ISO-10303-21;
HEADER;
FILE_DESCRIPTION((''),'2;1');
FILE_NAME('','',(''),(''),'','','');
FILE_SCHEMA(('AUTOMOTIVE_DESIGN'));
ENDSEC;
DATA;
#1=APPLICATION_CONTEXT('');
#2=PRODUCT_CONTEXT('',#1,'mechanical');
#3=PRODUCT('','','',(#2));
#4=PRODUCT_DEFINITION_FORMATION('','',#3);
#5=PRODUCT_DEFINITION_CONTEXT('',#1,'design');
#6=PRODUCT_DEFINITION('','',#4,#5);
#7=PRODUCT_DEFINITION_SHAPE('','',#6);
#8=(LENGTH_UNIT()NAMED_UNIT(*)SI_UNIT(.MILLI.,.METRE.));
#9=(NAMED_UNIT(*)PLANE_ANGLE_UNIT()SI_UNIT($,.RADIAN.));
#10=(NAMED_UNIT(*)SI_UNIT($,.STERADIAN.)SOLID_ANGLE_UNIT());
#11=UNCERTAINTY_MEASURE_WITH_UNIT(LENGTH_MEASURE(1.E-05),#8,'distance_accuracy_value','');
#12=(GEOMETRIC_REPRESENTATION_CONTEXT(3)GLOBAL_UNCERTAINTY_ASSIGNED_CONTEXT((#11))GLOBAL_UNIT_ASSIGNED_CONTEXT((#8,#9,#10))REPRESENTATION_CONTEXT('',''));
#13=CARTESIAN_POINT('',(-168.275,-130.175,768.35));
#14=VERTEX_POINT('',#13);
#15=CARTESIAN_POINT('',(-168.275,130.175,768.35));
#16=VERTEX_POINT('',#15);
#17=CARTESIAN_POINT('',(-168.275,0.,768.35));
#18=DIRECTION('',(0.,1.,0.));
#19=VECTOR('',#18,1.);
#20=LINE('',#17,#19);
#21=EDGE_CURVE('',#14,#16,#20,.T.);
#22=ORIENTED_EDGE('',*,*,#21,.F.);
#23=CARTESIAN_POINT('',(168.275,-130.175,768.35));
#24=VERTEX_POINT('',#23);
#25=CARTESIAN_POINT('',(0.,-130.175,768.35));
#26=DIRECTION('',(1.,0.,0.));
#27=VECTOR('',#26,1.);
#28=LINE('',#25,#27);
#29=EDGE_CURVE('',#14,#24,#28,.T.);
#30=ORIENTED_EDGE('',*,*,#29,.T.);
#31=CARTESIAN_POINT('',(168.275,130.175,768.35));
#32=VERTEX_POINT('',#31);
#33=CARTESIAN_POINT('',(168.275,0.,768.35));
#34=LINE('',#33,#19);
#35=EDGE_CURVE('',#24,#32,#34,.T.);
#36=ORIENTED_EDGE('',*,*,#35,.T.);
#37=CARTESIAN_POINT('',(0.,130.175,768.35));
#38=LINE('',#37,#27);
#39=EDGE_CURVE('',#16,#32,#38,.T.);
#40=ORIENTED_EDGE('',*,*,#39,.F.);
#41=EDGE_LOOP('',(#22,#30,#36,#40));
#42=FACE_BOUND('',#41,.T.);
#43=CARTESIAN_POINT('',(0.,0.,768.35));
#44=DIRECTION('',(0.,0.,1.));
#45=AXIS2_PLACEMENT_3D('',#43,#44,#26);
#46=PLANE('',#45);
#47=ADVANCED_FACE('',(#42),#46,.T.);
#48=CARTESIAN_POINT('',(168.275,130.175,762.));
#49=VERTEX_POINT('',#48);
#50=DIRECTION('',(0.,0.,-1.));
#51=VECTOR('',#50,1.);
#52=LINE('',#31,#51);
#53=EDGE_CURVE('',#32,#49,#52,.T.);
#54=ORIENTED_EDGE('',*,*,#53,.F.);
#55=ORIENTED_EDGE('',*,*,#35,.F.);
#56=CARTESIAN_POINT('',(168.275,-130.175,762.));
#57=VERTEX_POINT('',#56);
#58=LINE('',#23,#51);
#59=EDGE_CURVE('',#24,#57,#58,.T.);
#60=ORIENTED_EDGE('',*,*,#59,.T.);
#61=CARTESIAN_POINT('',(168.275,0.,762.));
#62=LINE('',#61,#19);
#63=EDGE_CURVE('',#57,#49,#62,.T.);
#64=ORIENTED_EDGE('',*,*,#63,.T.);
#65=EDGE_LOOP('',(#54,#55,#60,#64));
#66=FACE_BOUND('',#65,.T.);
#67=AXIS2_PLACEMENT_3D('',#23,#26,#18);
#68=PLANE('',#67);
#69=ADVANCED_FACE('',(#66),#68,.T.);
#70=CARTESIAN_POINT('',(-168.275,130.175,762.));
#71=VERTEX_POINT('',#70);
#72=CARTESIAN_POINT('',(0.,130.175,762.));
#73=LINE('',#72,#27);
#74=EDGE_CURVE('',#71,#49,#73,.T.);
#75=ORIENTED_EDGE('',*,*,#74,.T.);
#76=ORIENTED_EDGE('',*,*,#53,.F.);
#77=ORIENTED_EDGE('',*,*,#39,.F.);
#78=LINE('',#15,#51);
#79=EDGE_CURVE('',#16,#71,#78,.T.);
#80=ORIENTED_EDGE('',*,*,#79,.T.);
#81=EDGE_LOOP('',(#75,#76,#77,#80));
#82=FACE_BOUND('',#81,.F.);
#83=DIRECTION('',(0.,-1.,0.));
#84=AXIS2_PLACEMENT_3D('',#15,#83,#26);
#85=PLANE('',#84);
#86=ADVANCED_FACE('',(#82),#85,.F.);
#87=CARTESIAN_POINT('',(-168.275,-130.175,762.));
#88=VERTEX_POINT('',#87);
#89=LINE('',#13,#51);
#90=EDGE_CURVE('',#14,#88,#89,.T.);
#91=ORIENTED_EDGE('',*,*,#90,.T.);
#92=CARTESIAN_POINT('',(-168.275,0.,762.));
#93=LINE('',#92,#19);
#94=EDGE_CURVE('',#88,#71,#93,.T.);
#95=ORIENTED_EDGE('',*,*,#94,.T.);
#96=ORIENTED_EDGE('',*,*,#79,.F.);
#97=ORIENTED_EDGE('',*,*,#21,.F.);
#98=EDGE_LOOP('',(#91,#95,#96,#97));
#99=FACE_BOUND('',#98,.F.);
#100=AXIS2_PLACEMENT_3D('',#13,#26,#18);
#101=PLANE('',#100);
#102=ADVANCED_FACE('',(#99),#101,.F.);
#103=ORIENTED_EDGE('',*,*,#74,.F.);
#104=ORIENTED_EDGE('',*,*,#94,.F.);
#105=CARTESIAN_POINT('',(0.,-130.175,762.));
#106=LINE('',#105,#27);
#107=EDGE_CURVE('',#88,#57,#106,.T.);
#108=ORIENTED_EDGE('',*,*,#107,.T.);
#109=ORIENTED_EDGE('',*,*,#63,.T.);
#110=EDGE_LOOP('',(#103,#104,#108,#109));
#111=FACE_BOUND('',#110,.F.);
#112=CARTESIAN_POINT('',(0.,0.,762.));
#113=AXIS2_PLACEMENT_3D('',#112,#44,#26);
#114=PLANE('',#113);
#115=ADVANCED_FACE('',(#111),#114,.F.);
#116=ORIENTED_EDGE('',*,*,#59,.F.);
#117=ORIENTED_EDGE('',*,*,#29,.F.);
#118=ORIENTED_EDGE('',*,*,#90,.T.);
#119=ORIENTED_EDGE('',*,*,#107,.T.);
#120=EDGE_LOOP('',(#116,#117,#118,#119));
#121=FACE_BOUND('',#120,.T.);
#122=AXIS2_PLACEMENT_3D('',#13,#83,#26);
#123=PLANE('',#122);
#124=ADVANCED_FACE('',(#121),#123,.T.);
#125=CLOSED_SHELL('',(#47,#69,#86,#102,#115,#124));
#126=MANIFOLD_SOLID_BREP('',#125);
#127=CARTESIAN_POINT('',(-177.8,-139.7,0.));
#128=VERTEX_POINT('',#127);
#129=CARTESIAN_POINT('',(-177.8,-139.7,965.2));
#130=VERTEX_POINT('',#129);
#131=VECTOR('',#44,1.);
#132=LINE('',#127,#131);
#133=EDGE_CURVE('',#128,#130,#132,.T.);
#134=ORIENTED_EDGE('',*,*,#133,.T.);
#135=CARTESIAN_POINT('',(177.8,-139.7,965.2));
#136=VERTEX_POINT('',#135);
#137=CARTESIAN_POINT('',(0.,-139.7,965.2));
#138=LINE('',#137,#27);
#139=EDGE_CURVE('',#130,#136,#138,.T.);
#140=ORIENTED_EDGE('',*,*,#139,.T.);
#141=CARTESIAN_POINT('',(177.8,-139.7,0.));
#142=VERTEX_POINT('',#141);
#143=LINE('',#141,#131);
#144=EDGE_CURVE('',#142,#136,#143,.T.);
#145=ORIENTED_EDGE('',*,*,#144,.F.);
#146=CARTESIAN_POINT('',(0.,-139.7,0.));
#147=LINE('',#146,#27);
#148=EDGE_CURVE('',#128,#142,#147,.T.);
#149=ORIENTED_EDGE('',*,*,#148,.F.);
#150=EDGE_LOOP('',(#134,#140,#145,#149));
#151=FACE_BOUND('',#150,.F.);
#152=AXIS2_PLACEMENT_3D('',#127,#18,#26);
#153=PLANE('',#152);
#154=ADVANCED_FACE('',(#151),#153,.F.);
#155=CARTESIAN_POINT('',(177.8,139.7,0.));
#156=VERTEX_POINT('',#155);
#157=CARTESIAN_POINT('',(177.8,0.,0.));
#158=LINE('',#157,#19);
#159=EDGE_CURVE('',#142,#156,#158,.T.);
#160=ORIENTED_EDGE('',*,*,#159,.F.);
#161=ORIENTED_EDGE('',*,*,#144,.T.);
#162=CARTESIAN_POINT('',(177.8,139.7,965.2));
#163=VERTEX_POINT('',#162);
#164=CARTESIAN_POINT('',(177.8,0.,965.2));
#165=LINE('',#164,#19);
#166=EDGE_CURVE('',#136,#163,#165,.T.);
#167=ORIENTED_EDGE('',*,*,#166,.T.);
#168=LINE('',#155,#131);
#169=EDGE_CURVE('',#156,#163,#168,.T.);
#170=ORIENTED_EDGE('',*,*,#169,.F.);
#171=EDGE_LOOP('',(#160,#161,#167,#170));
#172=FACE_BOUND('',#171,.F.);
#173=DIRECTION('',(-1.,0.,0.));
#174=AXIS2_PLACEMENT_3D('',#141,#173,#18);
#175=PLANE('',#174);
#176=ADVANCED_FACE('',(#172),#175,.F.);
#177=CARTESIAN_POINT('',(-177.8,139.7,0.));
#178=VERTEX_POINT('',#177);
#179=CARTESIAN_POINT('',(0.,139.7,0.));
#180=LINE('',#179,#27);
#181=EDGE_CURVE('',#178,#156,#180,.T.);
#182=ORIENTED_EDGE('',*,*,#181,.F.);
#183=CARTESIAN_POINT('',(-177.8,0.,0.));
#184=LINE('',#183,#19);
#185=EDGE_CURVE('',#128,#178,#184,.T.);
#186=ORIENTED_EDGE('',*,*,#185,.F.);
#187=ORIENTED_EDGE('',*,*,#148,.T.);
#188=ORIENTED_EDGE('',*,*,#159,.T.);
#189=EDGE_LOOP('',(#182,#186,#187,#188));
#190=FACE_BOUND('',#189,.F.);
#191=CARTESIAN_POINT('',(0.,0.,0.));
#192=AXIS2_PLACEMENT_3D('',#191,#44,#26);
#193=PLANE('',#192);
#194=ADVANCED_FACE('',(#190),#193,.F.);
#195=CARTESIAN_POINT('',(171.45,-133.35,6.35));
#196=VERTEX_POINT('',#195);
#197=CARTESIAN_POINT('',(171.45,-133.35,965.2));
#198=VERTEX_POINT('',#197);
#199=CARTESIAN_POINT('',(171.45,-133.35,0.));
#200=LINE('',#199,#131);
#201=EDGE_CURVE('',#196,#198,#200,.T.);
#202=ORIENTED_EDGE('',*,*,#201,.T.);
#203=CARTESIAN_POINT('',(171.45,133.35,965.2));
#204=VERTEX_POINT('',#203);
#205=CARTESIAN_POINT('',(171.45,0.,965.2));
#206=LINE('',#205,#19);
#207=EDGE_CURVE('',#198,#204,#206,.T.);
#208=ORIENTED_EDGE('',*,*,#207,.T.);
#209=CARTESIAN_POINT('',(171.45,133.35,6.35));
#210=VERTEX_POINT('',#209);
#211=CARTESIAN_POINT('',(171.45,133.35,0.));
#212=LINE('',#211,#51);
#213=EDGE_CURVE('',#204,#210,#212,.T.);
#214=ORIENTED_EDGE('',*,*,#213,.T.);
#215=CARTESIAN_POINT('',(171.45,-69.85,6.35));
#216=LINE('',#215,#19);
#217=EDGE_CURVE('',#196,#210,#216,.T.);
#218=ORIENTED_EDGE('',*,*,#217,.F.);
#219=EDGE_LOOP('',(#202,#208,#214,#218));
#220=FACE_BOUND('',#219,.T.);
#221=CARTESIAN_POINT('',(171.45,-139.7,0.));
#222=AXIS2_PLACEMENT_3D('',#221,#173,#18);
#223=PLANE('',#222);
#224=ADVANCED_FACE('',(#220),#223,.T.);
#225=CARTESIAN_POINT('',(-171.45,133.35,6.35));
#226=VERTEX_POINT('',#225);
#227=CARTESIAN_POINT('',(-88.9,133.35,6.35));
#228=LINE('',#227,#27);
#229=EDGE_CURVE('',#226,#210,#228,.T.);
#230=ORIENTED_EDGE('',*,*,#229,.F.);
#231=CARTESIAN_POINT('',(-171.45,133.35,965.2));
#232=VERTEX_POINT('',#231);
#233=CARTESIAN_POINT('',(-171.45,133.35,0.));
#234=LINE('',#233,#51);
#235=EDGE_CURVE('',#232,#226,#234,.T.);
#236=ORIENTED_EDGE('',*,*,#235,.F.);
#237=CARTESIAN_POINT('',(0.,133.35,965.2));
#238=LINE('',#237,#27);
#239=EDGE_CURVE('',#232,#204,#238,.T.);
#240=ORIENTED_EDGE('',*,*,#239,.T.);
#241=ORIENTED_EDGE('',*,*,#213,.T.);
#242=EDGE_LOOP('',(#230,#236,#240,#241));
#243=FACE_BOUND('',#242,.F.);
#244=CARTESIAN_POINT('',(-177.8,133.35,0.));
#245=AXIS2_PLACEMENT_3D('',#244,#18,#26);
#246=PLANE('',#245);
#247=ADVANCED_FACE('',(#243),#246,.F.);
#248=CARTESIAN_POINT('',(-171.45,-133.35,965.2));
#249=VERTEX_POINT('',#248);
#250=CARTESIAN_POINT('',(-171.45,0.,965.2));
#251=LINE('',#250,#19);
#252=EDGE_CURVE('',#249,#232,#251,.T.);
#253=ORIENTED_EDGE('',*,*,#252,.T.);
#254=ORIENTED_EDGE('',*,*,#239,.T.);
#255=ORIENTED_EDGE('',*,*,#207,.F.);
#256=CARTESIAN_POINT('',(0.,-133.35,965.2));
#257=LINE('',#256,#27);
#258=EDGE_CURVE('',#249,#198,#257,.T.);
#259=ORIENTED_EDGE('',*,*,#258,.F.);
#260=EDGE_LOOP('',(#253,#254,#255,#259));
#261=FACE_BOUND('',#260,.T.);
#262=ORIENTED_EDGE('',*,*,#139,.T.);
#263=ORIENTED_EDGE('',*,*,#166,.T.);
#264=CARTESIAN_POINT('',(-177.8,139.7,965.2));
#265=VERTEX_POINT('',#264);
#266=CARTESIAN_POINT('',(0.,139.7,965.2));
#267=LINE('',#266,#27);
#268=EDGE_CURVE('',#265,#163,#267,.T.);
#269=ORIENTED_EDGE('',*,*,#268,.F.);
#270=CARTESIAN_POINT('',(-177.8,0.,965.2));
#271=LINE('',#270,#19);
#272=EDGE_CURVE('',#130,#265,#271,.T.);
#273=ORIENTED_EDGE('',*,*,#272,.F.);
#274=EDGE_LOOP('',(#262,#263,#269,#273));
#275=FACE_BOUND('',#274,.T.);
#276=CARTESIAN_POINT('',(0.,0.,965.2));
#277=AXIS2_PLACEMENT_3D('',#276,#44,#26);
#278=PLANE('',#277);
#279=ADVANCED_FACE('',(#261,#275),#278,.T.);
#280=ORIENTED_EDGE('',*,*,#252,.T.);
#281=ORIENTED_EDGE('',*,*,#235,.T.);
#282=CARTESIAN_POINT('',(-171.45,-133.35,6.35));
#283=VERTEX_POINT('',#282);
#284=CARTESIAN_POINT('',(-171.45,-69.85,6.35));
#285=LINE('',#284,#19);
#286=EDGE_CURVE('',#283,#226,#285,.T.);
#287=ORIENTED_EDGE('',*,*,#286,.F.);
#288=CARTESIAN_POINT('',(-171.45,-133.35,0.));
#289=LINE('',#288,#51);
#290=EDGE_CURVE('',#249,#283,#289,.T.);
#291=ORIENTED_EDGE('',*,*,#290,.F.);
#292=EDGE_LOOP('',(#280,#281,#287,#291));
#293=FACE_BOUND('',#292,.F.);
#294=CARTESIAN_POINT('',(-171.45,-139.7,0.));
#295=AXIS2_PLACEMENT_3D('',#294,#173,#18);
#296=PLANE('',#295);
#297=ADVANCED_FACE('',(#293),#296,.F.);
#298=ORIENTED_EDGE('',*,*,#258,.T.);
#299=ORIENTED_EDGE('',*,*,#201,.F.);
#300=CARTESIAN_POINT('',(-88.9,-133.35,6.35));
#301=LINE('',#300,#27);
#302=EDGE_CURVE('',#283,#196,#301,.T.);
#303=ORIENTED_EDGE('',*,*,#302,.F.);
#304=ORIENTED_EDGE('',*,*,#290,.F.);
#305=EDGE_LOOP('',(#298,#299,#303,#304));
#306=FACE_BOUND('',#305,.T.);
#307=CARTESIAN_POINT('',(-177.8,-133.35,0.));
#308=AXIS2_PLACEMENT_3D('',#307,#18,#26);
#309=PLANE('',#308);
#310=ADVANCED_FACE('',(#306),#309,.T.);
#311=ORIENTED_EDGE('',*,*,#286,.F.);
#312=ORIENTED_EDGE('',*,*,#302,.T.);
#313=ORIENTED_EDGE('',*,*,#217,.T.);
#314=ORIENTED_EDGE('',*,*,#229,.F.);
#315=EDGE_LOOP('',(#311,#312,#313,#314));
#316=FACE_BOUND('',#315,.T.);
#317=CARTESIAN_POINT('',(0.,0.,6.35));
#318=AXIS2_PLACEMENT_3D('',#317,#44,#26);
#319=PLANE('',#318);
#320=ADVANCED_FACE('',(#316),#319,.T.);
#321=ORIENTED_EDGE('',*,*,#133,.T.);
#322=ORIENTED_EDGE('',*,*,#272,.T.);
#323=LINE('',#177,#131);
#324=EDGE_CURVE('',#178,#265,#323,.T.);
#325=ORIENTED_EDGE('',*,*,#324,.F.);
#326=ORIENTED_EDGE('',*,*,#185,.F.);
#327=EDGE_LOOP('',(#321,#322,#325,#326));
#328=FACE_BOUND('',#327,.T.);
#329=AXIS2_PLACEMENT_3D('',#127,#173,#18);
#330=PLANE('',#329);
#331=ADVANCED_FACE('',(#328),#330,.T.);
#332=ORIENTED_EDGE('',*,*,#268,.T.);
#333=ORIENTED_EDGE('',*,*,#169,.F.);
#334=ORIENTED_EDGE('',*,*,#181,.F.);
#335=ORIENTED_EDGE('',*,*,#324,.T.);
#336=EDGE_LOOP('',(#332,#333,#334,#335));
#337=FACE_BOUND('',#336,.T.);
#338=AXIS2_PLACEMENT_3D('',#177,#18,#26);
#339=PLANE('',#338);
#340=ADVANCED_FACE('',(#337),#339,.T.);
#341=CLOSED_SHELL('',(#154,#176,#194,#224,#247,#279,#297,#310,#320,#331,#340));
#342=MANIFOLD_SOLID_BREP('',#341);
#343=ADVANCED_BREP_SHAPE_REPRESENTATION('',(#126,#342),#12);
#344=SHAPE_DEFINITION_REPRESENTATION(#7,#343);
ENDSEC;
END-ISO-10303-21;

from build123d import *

# Parameters (mm, degrees)
F0_W     = 355.6
F0_H     = 279.4
F1_DEPTH = 965.2
F2_T     = -6.35
F4_START = -196.85
F3_W     = 336.55
F3_H     = 260.35
F4_DEPTH = 6.35


with BuildPart() as f1:
    # F0 (on Top) → F1 (new body)
    with BuildSketch(Plane.XY):
        Rectangle(F0_W, F0_H)
    extrude(amount=F1_DEPTH)

    # F2
    f2_openings = [f1.faces().sort_by_distance(p)[0] for p in [
        (0, 0, 965.2),
    ]]
    offset(amount=F2_T, openings=f2_openings)


with BuildPart() as f4:
    # F3 (on face) → F4 (new body)
    with BuildSketch(Plane.XY.offset(965.2).offset(F4_START)):
        Rectangle(F3_W, F3_H)
    extrude(amount=-F4_DEPTH)


solid = Compound([f1.part, f4.part])
